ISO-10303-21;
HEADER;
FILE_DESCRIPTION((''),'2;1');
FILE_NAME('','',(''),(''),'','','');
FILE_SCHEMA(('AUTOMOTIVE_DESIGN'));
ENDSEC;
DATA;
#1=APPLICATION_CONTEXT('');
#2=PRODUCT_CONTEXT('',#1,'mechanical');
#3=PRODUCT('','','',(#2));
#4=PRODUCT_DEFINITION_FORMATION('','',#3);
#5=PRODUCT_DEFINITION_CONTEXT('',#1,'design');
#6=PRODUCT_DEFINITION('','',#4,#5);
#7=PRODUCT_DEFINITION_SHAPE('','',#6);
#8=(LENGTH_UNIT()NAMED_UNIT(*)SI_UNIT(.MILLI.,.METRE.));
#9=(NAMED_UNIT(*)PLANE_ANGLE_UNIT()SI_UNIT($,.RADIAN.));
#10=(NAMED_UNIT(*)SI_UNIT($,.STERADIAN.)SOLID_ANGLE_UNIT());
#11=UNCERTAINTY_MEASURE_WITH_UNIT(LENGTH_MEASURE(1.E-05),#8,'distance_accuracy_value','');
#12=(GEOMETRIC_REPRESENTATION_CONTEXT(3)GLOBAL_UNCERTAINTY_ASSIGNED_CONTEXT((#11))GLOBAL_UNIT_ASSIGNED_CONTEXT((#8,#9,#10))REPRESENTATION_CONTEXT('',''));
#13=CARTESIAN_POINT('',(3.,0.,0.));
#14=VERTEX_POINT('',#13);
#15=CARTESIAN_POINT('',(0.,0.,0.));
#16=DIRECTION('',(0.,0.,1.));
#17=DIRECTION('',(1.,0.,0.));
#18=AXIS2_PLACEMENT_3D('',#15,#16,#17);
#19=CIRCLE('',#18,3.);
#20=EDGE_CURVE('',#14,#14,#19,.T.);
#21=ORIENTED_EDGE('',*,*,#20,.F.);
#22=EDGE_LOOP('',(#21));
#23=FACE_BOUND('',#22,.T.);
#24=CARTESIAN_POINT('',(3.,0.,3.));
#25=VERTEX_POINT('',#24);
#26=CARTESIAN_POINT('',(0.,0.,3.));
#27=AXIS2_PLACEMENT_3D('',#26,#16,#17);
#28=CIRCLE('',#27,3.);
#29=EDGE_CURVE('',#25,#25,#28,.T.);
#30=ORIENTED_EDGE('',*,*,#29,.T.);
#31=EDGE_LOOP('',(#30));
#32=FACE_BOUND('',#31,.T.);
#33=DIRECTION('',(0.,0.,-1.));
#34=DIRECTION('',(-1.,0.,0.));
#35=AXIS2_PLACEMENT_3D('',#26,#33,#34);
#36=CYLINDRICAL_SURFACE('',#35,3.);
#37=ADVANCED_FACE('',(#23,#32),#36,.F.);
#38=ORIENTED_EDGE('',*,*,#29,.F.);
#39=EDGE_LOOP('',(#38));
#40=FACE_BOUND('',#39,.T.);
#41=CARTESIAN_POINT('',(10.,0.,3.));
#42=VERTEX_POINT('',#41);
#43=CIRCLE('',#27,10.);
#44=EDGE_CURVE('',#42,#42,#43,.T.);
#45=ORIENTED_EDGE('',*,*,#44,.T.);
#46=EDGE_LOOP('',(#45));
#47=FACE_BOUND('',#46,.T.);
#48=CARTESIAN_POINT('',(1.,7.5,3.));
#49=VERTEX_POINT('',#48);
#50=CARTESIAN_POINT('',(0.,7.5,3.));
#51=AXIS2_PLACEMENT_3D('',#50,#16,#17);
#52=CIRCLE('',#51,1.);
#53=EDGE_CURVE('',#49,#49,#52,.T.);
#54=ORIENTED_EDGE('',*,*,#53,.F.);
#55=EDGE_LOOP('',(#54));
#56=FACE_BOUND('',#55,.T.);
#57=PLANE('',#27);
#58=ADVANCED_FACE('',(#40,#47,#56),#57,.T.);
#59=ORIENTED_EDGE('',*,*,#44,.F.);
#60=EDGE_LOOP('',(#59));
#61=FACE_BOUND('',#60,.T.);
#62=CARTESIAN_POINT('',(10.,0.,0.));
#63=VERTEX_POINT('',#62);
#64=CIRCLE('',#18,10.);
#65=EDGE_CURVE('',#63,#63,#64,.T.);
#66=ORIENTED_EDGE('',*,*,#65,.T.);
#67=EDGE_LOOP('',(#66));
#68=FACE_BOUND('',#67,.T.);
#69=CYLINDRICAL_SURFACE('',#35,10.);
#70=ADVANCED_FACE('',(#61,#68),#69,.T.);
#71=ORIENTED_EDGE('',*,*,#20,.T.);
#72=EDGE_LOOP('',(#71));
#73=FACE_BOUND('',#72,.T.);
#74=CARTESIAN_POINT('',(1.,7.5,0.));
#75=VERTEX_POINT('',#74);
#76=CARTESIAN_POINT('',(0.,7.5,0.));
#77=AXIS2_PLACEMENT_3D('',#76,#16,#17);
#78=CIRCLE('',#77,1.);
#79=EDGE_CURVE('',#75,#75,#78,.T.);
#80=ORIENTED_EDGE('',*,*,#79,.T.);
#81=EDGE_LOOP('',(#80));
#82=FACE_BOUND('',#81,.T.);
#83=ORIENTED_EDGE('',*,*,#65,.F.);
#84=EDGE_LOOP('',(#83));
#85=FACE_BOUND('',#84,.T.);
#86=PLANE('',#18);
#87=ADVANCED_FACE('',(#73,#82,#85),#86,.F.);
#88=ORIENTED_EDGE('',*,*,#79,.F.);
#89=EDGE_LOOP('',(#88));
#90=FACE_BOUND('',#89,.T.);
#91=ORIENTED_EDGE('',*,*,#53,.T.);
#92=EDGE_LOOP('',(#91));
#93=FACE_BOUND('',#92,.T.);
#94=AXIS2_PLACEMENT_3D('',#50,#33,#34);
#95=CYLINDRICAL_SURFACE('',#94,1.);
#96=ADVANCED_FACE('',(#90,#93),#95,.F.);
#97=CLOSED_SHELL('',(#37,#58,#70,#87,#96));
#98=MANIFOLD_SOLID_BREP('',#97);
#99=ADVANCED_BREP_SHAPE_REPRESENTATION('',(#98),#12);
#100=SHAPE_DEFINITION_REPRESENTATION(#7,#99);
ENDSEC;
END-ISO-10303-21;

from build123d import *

# Parameters (mm, degrees)
ESQUISSE1_R        = 10
ESQUISSE1_R_2      = 1
ESQUISSE1_R_3      = 3
BOSS_EXTRU_1_DEPTH = 3


with BuildPart() as part:
    # Esquisse1 → Boss.-Extru.1 (new body)
    with BuildSketch(Plane.XY):
        Circle(ESQUISSE1_R)
        with Locations((0, 7.5)):
            Circle(ESQUISSE1_R_2, mode=Mode.SUBTRACT)
        Circle(ESQUISSE1_R_3, mode=Mode.SUBTRACT)
    extrude(amount=BOSS_EXTRU_1_DEPTH)


solid = part.part
